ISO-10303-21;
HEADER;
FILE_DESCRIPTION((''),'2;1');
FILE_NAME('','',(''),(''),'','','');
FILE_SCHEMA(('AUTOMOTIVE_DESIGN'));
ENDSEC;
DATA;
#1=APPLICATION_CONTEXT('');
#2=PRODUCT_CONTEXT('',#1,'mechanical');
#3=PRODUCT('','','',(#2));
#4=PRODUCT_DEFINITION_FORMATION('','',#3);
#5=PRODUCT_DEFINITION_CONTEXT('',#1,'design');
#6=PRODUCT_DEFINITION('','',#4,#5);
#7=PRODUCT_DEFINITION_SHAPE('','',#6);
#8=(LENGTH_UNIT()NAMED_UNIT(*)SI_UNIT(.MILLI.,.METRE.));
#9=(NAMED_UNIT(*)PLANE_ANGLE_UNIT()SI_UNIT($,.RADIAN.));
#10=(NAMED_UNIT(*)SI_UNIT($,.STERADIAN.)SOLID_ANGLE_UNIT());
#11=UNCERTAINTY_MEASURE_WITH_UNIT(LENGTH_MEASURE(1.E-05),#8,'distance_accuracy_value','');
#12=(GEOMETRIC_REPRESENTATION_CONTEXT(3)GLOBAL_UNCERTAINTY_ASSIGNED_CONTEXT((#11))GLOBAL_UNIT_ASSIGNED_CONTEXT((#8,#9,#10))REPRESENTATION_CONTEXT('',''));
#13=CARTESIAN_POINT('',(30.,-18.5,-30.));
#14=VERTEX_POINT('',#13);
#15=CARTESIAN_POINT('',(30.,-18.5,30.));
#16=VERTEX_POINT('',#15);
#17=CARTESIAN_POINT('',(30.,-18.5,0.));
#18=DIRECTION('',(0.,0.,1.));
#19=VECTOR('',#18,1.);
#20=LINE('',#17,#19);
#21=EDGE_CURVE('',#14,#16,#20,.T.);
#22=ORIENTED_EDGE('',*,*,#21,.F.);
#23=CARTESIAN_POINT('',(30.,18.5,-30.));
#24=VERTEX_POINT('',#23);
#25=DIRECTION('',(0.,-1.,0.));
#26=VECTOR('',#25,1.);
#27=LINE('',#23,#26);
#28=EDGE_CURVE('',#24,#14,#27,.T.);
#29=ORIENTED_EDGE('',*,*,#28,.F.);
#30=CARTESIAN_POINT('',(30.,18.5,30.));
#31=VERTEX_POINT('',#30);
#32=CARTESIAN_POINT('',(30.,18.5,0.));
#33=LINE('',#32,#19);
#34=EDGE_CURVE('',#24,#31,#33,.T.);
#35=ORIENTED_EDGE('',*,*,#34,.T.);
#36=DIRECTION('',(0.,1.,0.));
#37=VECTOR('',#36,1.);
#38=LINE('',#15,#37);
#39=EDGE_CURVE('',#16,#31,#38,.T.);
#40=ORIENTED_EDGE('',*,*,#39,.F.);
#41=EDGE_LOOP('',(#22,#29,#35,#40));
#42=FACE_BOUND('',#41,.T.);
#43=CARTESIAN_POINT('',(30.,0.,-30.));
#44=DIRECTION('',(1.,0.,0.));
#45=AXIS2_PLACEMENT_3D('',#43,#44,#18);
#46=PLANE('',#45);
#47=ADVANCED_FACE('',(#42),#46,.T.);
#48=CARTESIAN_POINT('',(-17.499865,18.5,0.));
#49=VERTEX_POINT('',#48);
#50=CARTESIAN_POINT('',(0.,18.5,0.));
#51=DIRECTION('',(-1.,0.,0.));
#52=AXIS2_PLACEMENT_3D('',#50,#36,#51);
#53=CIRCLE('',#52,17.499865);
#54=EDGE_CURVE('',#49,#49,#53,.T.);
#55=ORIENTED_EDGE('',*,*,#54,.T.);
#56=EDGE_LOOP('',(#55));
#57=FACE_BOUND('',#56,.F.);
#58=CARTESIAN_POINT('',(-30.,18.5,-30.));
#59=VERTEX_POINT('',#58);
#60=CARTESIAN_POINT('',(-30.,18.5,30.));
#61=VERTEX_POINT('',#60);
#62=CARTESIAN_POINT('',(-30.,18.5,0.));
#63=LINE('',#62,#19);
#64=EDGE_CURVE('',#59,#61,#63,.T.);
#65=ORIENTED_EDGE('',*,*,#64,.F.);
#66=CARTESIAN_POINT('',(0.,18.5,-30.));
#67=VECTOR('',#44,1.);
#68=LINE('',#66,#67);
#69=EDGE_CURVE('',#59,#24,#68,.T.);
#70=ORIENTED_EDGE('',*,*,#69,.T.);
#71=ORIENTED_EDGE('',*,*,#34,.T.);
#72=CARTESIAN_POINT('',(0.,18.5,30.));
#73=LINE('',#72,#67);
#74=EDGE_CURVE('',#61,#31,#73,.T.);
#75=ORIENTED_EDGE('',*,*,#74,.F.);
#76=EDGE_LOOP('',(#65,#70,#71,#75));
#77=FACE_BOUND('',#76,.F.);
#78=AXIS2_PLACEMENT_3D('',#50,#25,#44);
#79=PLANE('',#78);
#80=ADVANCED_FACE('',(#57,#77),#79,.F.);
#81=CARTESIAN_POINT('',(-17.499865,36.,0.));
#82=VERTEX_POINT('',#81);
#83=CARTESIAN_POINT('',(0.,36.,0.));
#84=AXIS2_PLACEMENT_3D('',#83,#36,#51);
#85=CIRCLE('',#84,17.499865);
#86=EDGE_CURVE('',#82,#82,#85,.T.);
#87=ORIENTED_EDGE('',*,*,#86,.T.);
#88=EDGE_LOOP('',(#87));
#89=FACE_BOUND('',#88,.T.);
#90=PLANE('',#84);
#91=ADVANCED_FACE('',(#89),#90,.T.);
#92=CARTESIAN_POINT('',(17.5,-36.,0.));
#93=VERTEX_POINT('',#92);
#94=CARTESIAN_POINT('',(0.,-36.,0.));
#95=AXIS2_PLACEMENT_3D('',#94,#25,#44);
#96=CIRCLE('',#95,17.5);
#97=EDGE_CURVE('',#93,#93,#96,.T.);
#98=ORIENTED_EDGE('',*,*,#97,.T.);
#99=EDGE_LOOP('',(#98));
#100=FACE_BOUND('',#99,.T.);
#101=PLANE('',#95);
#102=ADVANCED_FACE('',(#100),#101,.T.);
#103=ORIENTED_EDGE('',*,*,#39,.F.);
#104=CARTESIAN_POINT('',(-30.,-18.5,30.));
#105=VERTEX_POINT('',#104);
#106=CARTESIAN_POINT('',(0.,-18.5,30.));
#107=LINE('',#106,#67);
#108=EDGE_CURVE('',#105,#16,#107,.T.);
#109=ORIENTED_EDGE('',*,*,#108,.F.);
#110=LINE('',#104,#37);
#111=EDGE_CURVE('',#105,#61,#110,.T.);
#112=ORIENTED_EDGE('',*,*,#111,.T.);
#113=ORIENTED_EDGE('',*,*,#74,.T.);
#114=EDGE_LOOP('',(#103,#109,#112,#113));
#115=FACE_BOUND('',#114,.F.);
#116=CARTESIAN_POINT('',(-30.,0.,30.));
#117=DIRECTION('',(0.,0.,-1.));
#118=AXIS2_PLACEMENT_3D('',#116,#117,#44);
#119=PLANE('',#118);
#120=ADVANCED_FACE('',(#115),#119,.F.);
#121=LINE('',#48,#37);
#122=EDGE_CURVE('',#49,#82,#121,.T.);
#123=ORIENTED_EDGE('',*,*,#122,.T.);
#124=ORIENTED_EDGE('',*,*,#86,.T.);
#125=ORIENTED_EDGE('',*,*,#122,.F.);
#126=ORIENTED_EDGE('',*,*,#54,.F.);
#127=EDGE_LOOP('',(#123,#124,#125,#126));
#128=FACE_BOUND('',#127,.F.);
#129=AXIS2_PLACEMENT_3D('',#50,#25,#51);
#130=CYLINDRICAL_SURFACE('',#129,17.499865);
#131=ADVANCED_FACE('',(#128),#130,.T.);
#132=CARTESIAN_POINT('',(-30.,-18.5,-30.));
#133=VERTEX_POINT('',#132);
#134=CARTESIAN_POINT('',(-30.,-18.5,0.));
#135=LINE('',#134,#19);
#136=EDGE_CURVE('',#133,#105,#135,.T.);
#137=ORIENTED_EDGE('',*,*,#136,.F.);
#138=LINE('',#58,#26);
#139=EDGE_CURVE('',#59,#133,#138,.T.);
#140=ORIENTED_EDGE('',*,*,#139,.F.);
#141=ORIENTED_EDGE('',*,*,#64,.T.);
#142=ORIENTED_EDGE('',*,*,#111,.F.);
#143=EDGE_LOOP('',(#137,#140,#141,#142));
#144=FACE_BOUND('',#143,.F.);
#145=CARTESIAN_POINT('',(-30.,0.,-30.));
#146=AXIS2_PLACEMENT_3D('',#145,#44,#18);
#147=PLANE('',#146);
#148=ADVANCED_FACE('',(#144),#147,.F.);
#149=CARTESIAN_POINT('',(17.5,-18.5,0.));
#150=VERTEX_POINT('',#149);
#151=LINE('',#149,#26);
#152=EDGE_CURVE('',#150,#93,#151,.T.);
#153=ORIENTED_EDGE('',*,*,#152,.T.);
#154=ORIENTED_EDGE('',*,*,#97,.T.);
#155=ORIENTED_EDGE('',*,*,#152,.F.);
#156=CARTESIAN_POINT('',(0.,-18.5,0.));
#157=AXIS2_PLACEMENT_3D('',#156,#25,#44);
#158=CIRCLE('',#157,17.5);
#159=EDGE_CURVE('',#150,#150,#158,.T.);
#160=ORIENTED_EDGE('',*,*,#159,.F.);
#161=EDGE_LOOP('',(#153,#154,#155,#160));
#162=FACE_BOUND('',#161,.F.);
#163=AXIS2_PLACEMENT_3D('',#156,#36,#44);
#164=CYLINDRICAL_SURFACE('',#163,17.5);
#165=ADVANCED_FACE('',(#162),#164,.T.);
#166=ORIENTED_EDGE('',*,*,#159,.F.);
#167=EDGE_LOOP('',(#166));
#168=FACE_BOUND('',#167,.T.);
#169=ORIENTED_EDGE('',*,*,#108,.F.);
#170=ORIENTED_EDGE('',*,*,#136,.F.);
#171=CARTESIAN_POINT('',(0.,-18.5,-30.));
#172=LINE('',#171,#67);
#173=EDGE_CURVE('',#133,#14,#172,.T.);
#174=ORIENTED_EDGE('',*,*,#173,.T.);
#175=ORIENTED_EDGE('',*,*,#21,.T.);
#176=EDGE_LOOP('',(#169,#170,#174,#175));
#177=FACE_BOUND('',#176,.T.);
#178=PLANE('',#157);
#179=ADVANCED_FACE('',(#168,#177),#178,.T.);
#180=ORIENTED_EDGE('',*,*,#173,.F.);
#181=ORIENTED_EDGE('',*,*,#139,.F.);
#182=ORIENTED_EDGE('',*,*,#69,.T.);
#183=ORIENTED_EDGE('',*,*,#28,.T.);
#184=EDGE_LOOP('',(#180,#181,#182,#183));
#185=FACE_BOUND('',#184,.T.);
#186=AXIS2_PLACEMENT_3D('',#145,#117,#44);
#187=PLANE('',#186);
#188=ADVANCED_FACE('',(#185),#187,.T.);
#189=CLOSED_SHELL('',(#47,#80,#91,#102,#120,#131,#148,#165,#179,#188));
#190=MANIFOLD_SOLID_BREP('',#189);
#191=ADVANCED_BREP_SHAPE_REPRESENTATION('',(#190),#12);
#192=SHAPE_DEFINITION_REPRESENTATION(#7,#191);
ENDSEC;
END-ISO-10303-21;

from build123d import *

# Parameters (mm, degrees)
F0_W     = 60
F0_H     = 60
F1_DEPTH = 18.5
F2_R     = 17.5
F4_DEPTH = 17.5
F3_R     = 17.4998645961
F5_DEPTH = 17.5


with BuildPart() as f1:
    # F0 (on Front) → F1 (new body, symmetric)
    with BuildSketch(Plane.XZ):
        Rectangle(F0_W, F0_H)
    extrude(amount=F1_DEPTH, both=True)

    # F2 (on face) → F4 (join)
    with BuildSketch(Plane.XZ.offset(18.5)):
        Circle(F2_R)
    extrude(amount=F4_DEPTH)

    # F3 (on face) → F5 (join)
    with BuildSketch(Plane(origin=(0, 18.5, 0), x_dir=(-1, 0, 0), z_dir=(0, 1, 0))):
        Circle(F3_R)
    extrude(amount=F5_DEPTH)


solid = f1.part
